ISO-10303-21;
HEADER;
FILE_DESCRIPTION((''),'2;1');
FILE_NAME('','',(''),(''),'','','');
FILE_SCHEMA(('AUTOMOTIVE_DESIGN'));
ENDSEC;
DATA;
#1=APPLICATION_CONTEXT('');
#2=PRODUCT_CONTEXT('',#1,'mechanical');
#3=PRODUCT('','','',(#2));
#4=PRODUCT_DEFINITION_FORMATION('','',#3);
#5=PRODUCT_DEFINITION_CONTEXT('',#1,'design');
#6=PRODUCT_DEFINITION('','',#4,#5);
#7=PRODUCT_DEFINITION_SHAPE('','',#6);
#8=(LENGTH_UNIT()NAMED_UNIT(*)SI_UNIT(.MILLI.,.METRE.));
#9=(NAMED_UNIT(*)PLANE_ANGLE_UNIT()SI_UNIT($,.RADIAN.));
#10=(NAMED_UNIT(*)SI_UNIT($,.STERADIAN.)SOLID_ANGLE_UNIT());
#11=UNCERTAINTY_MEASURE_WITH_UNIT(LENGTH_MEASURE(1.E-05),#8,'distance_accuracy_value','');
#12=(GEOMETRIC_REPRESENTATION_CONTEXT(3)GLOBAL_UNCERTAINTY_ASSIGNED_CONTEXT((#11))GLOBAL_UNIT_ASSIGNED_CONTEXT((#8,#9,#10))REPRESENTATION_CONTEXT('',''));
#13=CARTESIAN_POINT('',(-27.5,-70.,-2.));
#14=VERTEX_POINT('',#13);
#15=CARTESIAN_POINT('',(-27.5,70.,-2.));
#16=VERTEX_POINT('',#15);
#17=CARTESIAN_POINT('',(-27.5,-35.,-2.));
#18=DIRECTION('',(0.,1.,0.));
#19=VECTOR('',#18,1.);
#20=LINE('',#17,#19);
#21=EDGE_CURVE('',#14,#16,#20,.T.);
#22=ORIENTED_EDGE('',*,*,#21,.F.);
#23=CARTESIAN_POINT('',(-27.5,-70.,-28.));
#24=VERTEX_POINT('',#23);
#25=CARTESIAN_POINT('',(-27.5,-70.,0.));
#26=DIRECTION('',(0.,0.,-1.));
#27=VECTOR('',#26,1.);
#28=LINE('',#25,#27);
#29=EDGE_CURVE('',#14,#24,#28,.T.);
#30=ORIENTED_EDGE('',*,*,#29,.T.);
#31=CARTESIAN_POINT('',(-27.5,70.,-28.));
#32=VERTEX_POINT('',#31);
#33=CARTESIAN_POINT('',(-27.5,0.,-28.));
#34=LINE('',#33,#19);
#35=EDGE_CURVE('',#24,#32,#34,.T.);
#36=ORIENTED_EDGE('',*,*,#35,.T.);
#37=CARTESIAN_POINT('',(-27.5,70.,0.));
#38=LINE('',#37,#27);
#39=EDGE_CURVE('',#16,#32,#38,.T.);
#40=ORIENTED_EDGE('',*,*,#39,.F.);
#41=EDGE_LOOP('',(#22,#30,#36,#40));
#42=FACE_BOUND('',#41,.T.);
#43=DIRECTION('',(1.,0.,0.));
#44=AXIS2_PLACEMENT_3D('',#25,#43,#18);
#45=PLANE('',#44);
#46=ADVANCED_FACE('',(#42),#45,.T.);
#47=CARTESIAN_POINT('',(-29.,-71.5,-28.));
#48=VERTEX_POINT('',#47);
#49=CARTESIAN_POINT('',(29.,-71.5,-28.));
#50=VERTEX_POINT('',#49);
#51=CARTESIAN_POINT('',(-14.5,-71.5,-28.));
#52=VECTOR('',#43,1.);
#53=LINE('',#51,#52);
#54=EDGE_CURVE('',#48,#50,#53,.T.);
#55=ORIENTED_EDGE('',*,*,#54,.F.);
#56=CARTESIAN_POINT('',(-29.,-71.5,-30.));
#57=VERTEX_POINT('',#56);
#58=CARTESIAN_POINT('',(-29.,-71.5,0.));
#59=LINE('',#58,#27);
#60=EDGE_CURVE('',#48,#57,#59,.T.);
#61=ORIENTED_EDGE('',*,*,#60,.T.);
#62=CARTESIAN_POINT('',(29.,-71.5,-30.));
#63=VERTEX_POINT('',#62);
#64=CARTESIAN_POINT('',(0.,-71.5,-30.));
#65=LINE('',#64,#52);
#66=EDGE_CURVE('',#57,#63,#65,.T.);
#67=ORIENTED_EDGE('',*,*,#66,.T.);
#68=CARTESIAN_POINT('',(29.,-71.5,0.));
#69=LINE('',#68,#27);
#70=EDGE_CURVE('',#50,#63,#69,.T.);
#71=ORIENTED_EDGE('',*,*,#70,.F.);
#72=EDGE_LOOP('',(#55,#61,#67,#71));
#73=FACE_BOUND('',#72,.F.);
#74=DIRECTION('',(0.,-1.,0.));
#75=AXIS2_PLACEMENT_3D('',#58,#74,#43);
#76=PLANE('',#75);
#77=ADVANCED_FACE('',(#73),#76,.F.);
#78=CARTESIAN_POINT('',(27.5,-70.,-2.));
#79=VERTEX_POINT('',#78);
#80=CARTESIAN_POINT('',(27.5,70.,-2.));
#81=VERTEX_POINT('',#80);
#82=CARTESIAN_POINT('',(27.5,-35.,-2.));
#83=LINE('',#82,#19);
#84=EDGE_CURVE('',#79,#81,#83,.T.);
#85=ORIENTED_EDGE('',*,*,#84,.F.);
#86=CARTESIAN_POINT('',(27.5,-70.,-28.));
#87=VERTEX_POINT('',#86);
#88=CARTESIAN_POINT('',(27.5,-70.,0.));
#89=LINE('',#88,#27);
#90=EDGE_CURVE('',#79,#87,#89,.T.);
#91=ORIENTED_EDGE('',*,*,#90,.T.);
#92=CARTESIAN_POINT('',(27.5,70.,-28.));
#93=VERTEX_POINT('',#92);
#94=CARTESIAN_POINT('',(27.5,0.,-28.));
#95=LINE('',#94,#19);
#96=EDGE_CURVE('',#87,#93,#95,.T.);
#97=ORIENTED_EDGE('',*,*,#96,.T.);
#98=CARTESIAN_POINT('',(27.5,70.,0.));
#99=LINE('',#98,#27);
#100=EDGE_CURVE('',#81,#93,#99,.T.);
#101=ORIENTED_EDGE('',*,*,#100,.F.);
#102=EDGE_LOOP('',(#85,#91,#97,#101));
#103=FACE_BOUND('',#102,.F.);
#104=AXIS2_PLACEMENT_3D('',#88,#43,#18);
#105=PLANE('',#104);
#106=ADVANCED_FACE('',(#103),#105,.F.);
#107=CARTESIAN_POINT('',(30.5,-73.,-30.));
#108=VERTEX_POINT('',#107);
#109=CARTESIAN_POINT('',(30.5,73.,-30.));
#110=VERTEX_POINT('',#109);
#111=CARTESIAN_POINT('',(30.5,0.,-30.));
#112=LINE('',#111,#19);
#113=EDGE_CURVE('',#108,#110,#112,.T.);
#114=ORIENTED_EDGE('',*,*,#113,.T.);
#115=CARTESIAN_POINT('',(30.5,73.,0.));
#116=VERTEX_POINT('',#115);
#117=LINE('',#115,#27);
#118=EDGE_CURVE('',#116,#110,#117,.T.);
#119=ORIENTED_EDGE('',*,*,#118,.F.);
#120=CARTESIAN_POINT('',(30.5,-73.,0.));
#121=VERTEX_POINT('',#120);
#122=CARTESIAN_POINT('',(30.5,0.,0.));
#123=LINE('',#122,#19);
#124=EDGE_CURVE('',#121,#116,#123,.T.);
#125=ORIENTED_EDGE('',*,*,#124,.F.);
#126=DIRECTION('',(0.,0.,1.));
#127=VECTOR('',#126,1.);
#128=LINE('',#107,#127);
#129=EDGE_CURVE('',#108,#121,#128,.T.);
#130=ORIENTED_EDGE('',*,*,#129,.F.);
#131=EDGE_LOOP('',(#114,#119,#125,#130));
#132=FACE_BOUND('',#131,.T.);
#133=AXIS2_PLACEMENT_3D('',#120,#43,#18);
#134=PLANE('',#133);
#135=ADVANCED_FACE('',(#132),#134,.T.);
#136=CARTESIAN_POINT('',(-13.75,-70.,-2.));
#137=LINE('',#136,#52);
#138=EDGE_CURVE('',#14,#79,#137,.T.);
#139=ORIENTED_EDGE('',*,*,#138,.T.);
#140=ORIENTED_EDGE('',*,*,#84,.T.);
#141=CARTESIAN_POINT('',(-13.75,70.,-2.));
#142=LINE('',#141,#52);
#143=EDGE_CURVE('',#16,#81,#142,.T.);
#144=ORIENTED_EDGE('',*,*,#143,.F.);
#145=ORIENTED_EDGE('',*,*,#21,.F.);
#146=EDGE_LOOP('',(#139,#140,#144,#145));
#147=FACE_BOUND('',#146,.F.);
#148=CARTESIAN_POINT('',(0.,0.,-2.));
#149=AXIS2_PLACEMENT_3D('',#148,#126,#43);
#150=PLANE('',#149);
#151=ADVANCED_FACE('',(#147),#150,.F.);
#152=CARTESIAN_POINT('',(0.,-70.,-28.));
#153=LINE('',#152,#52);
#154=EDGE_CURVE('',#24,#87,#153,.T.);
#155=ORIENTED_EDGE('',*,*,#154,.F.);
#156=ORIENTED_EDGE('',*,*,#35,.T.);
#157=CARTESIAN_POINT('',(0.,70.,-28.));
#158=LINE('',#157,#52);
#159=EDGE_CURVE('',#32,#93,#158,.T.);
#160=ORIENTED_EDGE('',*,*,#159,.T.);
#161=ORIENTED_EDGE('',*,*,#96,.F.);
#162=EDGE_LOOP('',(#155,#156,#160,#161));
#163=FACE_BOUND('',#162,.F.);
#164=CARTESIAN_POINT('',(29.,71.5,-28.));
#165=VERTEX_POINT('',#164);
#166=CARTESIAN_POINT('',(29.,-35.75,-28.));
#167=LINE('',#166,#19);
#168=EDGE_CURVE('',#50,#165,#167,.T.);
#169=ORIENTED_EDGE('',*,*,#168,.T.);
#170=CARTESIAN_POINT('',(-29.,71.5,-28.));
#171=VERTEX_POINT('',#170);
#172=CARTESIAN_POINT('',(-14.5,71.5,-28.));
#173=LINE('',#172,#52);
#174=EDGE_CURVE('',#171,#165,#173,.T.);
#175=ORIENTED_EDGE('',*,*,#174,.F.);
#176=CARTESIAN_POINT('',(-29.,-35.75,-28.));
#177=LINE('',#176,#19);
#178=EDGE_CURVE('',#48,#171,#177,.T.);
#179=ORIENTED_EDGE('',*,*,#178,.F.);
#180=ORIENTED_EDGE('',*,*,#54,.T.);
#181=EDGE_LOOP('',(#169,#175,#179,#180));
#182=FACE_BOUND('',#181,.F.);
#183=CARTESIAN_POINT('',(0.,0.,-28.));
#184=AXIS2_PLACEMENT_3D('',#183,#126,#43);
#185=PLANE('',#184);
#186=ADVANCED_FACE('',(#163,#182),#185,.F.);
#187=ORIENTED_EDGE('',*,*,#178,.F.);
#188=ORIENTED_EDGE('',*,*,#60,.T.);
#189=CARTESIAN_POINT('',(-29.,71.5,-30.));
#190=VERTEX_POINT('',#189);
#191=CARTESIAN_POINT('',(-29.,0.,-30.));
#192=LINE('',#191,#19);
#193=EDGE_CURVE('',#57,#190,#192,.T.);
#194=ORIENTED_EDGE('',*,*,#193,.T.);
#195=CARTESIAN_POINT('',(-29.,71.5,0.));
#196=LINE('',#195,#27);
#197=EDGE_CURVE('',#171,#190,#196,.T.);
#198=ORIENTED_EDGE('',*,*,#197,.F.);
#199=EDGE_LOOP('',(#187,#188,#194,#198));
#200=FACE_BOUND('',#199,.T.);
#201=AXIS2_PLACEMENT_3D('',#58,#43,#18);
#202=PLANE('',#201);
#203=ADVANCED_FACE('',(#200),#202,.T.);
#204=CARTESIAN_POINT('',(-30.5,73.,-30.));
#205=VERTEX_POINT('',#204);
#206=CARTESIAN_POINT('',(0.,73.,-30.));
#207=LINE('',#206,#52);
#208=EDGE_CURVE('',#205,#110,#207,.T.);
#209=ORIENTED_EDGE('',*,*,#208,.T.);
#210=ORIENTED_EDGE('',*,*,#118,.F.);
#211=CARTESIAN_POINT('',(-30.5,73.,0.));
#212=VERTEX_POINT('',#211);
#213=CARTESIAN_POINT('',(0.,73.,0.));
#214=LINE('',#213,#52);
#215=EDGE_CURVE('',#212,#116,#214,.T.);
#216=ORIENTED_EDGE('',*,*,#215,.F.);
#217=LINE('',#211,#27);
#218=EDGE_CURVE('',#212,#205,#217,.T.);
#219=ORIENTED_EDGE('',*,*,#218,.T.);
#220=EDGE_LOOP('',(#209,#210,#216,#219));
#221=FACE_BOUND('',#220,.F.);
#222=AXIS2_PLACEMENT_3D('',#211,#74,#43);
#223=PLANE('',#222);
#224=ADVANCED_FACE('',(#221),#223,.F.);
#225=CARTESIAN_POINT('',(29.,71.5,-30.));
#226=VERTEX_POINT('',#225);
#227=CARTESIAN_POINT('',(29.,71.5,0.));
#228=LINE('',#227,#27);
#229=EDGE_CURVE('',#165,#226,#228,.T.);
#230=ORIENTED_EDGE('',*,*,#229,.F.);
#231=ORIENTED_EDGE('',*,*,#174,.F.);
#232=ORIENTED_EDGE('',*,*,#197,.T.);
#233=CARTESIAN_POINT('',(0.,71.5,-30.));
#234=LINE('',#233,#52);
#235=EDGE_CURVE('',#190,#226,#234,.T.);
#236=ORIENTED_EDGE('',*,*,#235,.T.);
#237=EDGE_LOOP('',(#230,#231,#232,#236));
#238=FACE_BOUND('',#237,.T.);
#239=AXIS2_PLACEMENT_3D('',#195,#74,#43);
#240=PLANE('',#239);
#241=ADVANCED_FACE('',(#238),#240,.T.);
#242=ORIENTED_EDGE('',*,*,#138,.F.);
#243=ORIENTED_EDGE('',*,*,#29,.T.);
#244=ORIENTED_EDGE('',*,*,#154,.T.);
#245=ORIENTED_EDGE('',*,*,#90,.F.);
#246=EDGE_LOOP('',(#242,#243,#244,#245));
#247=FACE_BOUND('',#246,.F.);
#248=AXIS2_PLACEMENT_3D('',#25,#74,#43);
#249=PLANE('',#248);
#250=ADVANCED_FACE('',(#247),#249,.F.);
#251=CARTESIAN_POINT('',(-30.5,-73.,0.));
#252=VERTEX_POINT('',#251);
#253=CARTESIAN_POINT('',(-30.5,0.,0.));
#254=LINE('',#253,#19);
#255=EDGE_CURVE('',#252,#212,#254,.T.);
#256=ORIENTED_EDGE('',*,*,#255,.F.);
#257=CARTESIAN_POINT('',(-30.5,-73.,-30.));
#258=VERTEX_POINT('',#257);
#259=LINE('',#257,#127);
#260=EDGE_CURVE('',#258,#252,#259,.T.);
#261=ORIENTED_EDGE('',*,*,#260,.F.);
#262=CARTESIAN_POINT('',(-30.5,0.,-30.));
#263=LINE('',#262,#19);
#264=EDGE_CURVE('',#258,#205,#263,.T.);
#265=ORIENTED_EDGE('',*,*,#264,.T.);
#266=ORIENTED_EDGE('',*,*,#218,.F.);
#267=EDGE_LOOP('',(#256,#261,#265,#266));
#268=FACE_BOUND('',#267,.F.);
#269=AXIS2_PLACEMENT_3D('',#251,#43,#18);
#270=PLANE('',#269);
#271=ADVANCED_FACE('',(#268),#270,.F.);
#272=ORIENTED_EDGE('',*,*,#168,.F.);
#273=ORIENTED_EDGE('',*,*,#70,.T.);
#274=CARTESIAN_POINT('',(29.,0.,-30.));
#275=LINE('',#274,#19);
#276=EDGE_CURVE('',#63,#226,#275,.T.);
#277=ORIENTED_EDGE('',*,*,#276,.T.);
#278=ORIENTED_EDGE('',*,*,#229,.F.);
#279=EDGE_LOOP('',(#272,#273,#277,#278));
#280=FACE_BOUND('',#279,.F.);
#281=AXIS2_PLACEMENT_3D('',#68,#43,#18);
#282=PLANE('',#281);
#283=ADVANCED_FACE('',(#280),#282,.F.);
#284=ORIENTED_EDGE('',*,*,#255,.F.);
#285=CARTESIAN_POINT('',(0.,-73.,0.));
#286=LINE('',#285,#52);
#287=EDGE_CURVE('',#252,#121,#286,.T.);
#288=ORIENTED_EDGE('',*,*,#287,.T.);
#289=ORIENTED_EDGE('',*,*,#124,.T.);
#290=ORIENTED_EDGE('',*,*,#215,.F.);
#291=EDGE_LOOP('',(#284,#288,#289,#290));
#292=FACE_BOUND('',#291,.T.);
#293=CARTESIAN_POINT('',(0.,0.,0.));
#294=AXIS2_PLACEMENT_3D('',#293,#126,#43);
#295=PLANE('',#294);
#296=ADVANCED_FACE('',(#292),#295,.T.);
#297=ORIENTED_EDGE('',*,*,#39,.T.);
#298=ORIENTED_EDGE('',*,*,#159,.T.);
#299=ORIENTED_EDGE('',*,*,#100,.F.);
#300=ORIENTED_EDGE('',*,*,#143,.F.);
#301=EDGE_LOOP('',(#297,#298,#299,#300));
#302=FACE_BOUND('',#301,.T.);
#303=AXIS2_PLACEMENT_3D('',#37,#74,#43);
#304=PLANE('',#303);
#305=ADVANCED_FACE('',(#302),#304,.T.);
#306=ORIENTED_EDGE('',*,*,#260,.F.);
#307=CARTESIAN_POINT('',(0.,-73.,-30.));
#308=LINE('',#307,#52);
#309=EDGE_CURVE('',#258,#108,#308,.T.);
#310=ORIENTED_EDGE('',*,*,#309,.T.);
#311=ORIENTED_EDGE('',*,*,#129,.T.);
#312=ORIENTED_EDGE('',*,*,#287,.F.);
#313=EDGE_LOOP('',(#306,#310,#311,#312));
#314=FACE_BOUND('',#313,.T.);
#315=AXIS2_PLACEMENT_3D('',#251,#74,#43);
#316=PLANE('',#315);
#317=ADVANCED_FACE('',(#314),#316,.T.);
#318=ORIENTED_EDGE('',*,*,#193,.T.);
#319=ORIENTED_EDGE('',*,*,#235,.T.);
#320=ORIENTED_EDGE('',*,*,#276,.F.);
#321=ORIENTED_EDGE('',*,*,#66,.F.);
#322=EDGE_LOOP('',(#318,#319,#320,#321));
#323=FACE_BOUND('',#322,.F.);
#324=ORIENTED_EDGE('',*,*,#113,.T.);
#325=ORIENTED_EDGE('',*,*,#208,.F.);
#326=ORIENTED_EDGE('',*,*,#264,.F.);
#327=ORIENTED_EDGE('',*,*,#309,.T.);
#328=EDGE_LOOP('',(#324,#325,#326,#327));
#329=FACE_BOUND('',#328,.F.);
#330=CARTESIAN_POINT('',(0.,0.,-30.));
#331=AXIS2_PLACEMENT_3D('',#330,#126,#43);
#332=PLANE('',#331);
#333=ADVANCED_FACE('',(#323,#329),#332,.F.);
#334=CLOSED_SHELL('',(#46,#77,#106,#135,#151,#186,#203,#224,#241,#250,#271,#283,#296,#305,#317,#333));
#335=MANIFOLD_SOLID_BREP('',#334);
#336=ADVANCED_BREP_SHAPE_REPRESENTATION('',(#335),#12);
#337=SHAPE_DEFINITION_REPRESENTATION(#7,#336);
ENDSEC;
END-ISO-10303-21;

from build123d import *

# Parameters (mm, degrees)
F0_W     = 61
F0_H     = 146
F0_W_2   = 58
F0_H_2   = 143
F0_W_3   = 55
F0_H_3   = 140
F1_DEPTH = 2
F2_DEPTH = 28
F3_DEPTH = 30


with BuildPart() as f1:
    # F0 (on Top) → F1 (new body)
    with BuildSketch(Plane.XY):
        Rectangle(F0_W, F0_H)
        Rectangle(F0_W_2, F0_H_2, mode=Mode.SUBTRACT)
        Rectangle(F0_W_2, F0_H_2)
        Rectangle(F0_W_3, F0_H_3, mode=Mode.SUBTRACT)
        Rectangle(F0_W_3, F0_H_3)
    extrude(amount=-F1_DEPTH)

    # F0 (on Top) → F2 (join)
    with BuildSketch(Plane.XY):
        Rectangle(F0_W, F0_H)
        Rectangle(F0_W_2, F0_H_2, mode=Mode.SUBTRACT)
        Rectangle(F0_W_2, F0_H_2)
        Rectangle(F0_W_3, F0_H_3, mode=Mode.SUBTRACT)
    extrude(amount=-F2_DEPTH)

    # F0 (on Top) → F3 (join)
    with BuildSketch(Plane.XY):
        Rectangle(F0_W, F0_H)
        Rectangle(F0_W_2, F0_H_2, mode=Mode.SUBTRACT)
    extrude(amount=-F3_DEPTH)


solid = f1.part
